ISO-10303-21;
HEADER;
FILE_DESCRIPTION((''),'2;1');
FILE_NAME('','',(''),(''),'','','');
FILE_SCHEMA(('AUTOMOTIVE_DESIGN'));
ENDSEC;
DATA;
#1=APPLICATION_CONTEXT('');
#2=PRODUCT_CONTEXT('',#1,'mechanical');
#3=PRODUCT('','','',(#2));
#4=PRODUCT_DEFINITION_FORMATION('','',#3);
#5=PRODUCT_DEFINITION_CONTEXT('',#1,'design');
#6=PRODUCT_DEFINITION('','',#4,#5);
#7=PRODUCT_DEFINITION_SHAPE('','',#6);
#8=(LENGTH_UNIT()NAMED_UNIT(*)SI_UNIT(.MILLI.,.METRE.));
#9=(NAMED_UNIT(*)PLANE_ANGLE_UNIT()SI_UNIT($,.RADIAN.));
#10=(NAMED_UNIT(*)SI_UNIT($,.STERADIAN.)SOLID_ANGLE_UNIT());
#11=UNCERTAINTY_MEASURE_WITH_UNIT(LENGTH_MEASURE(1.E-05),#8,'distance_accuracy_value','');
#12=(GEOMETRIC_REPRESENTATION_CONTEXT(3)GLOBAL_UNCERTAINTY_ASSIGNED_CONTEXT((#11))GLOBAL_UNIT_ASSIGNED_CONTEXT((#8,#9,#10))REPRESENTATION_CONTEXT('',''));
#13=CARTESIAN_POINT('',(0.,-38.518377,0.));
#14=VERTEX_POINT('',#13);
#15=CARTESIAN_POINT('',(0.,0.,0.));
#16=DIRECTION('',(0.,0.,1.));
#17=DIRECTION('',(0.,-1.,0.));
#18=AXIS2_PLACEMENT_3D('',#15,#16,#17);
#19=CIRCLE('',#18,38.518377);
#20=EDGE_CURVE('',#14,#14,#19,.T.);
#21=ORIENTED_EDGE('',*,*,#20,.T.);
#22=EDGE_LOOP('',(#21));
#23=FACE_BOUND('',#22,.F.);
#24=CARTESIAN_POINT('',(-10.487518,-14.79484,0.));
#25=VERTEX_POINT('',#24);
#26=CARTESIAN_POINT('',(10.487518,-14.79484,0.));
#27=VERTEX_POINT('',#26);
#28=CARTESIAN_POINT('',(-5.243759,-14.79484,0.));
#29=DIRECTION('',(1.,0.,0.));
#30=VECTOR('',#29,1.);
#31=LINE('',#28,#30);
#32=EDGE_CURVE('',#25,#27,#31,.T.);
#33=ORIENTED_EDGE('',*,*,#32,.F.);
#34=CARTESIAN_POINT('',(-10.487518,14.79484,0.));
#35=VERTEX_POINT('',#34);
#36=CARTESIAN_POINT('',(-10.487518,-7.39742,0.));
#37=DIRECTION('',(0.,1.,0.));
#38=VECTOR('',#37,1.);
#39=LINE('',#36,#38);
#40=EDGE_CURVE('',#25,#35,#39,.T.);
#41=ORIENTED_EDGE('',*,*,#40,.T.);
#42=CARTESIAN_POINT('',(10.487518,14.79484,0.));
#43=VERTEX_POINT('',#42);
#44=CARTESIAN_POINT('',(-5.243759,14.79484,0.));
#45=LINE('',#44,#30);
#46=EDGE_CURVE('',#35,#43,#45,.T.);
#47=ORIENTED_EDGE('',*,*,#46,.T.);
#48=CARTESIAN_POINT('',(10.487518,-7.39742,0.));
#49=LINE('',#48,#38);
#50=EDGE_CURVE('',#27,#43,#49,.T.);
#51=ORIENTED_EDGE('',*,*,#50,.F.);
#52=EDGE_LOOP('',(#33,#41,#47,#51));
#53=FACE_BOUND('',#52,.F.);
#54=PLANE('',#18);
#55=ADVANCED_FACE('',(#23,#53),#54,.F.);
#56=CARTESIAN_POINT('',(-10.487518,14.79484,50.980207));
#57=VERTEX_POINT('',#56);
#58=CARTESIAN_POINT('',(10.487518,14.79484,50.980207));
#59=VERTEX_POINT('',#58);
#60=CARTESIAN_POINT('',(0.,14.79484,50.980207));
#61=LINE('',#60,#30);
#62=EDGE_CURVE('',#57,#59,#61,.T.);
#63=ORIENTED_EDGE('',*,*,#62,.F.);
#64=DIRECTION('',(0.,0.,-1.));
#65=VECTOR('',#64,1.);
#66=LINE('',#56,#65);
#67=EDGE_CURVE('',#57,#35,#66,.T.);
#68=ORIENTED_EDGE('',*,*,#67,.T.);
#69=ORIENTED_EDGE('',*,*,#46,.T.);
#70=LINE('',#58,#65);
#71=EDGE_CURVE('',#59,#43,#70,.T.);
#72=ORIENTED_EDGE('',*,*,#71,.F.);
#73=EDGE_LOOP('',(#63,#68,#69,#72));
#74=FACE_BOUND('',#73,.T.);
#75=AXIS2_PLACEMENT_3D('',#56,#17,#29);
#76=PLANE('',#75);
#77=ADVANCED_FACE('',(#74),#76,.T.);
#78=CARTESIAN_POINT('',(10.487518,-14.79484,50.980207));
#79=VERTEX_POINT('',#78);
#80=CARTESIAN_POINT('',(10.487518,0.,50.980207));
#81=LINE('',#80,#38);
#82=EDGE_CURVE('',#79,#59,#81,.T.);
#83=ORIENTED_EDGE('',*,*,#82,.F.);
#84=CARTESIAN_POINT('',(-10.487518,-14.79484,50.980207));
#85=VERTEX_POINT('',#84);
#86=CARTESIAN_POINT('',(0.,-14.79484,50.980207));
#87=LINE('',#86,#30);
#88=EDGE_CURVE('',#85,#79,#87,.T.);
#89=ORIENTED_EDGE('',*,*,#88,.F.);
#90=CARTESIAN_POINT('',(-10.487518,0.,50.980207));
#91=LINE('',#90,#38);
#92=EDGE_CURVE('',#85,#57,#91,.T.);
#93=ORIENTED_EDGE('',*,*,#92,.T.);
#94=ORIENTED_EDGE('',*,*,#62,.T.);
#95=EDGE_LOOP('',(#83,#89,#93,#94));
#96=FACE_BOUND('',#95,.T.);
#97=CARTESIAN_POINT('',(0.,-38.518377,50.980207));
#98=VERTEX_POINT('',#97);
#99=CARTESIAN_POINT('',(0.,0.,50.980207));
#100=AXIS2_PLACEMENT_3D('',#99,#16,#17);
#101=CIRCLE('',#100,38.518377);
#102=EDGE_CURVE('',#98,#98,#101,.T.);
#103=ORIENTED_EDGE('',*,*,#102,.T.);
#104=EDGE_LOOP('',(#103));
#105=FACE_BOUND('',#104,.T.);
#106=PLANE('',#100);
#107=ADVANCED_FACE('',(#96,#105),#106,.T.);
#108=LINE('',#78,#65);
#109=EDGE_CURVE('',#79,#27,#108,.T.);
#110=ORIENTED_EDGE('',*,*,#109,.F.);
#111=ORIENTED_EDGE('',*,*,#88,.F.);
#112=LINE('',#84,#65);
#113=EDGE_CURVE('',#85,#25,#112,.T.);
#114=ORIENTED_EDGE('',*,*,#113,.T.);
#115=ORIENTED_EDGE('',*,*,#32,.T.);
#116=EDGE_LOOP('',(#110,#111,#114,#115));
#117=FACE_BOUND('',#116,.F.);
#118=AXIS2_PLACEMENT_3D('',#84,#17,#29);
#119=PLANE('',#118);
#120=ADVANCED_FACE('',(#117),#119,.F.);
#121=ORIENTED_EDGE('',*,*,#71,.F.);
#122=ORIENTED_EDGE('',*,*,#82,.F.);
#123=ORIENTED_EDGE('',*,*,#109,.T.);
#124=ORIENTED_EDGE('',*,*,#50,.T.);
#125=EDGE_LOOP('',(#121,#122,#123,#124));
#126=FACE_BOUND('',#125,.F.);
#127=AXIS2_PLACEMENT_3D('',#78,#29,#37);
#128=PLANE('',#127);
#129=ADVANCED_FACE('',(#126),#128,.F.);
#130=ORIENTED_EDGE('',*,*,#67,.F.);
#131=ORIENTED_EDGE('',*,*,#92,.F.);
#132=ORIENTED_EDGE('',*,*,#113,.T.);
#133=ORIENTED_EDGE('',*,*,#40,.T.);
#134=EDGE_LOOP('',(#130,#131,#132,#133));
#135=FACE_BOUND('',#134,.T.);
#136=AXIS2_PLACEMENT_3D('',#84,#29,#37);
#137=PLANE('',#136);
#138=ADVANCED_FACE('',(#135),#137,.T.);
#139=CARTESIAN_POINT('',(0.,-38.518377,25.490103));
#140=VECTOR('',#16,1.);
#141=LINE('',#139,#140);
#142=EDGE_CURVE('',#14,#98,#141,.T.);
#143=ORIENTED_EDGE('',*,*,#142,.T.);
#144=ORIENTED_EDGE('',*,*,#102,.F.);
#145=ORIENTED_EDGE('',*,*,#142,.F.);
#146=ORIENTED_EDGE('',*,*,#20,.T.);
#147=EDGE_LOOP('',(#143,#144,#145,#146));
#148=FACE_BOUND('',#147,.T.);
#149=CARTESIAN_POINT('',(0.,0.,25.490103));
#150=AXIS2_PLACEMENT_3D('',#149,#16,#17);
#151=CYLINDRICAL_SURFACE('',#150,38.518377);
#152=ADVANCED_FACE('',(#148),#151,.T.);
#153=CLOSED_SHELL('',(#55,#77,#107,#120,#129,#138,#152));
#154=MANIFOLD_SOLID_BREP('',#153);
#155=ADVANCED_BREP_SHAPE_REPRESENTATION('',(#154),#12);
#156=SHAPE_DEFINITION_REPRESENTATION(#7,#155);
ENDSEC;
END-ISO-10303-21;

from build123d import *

# Parameters (mm, degrees)
F0_W     = 38.5183766484
F0_H     = 50.980206579
F2_W     = 20.9750365466
F2_H     = 29.5896790922
F3_DEPTH = 50.981206579


with BuildPart() as f1:
    # F0 (on Right) → F1 (revolve)
    with BuildSketch(Plane.YZ):
        with Locations((-19.2591883242, 25.4901032895)):
            Rectangle(F0_W, F0_H)
    revolve(axis=Axis((0, 0, 25.4901032895), (0, 0, 1)))

    # F2 (on face) → F3 (cut, through all)
    with BuildSketch(Plane.XY.offset(50.980206579)):
        Rectangle(F2_W, F2_H)
    extrude(amount=-F3_DEPTH, mode=Mode.SUBTRACT)


solid = f1.part
